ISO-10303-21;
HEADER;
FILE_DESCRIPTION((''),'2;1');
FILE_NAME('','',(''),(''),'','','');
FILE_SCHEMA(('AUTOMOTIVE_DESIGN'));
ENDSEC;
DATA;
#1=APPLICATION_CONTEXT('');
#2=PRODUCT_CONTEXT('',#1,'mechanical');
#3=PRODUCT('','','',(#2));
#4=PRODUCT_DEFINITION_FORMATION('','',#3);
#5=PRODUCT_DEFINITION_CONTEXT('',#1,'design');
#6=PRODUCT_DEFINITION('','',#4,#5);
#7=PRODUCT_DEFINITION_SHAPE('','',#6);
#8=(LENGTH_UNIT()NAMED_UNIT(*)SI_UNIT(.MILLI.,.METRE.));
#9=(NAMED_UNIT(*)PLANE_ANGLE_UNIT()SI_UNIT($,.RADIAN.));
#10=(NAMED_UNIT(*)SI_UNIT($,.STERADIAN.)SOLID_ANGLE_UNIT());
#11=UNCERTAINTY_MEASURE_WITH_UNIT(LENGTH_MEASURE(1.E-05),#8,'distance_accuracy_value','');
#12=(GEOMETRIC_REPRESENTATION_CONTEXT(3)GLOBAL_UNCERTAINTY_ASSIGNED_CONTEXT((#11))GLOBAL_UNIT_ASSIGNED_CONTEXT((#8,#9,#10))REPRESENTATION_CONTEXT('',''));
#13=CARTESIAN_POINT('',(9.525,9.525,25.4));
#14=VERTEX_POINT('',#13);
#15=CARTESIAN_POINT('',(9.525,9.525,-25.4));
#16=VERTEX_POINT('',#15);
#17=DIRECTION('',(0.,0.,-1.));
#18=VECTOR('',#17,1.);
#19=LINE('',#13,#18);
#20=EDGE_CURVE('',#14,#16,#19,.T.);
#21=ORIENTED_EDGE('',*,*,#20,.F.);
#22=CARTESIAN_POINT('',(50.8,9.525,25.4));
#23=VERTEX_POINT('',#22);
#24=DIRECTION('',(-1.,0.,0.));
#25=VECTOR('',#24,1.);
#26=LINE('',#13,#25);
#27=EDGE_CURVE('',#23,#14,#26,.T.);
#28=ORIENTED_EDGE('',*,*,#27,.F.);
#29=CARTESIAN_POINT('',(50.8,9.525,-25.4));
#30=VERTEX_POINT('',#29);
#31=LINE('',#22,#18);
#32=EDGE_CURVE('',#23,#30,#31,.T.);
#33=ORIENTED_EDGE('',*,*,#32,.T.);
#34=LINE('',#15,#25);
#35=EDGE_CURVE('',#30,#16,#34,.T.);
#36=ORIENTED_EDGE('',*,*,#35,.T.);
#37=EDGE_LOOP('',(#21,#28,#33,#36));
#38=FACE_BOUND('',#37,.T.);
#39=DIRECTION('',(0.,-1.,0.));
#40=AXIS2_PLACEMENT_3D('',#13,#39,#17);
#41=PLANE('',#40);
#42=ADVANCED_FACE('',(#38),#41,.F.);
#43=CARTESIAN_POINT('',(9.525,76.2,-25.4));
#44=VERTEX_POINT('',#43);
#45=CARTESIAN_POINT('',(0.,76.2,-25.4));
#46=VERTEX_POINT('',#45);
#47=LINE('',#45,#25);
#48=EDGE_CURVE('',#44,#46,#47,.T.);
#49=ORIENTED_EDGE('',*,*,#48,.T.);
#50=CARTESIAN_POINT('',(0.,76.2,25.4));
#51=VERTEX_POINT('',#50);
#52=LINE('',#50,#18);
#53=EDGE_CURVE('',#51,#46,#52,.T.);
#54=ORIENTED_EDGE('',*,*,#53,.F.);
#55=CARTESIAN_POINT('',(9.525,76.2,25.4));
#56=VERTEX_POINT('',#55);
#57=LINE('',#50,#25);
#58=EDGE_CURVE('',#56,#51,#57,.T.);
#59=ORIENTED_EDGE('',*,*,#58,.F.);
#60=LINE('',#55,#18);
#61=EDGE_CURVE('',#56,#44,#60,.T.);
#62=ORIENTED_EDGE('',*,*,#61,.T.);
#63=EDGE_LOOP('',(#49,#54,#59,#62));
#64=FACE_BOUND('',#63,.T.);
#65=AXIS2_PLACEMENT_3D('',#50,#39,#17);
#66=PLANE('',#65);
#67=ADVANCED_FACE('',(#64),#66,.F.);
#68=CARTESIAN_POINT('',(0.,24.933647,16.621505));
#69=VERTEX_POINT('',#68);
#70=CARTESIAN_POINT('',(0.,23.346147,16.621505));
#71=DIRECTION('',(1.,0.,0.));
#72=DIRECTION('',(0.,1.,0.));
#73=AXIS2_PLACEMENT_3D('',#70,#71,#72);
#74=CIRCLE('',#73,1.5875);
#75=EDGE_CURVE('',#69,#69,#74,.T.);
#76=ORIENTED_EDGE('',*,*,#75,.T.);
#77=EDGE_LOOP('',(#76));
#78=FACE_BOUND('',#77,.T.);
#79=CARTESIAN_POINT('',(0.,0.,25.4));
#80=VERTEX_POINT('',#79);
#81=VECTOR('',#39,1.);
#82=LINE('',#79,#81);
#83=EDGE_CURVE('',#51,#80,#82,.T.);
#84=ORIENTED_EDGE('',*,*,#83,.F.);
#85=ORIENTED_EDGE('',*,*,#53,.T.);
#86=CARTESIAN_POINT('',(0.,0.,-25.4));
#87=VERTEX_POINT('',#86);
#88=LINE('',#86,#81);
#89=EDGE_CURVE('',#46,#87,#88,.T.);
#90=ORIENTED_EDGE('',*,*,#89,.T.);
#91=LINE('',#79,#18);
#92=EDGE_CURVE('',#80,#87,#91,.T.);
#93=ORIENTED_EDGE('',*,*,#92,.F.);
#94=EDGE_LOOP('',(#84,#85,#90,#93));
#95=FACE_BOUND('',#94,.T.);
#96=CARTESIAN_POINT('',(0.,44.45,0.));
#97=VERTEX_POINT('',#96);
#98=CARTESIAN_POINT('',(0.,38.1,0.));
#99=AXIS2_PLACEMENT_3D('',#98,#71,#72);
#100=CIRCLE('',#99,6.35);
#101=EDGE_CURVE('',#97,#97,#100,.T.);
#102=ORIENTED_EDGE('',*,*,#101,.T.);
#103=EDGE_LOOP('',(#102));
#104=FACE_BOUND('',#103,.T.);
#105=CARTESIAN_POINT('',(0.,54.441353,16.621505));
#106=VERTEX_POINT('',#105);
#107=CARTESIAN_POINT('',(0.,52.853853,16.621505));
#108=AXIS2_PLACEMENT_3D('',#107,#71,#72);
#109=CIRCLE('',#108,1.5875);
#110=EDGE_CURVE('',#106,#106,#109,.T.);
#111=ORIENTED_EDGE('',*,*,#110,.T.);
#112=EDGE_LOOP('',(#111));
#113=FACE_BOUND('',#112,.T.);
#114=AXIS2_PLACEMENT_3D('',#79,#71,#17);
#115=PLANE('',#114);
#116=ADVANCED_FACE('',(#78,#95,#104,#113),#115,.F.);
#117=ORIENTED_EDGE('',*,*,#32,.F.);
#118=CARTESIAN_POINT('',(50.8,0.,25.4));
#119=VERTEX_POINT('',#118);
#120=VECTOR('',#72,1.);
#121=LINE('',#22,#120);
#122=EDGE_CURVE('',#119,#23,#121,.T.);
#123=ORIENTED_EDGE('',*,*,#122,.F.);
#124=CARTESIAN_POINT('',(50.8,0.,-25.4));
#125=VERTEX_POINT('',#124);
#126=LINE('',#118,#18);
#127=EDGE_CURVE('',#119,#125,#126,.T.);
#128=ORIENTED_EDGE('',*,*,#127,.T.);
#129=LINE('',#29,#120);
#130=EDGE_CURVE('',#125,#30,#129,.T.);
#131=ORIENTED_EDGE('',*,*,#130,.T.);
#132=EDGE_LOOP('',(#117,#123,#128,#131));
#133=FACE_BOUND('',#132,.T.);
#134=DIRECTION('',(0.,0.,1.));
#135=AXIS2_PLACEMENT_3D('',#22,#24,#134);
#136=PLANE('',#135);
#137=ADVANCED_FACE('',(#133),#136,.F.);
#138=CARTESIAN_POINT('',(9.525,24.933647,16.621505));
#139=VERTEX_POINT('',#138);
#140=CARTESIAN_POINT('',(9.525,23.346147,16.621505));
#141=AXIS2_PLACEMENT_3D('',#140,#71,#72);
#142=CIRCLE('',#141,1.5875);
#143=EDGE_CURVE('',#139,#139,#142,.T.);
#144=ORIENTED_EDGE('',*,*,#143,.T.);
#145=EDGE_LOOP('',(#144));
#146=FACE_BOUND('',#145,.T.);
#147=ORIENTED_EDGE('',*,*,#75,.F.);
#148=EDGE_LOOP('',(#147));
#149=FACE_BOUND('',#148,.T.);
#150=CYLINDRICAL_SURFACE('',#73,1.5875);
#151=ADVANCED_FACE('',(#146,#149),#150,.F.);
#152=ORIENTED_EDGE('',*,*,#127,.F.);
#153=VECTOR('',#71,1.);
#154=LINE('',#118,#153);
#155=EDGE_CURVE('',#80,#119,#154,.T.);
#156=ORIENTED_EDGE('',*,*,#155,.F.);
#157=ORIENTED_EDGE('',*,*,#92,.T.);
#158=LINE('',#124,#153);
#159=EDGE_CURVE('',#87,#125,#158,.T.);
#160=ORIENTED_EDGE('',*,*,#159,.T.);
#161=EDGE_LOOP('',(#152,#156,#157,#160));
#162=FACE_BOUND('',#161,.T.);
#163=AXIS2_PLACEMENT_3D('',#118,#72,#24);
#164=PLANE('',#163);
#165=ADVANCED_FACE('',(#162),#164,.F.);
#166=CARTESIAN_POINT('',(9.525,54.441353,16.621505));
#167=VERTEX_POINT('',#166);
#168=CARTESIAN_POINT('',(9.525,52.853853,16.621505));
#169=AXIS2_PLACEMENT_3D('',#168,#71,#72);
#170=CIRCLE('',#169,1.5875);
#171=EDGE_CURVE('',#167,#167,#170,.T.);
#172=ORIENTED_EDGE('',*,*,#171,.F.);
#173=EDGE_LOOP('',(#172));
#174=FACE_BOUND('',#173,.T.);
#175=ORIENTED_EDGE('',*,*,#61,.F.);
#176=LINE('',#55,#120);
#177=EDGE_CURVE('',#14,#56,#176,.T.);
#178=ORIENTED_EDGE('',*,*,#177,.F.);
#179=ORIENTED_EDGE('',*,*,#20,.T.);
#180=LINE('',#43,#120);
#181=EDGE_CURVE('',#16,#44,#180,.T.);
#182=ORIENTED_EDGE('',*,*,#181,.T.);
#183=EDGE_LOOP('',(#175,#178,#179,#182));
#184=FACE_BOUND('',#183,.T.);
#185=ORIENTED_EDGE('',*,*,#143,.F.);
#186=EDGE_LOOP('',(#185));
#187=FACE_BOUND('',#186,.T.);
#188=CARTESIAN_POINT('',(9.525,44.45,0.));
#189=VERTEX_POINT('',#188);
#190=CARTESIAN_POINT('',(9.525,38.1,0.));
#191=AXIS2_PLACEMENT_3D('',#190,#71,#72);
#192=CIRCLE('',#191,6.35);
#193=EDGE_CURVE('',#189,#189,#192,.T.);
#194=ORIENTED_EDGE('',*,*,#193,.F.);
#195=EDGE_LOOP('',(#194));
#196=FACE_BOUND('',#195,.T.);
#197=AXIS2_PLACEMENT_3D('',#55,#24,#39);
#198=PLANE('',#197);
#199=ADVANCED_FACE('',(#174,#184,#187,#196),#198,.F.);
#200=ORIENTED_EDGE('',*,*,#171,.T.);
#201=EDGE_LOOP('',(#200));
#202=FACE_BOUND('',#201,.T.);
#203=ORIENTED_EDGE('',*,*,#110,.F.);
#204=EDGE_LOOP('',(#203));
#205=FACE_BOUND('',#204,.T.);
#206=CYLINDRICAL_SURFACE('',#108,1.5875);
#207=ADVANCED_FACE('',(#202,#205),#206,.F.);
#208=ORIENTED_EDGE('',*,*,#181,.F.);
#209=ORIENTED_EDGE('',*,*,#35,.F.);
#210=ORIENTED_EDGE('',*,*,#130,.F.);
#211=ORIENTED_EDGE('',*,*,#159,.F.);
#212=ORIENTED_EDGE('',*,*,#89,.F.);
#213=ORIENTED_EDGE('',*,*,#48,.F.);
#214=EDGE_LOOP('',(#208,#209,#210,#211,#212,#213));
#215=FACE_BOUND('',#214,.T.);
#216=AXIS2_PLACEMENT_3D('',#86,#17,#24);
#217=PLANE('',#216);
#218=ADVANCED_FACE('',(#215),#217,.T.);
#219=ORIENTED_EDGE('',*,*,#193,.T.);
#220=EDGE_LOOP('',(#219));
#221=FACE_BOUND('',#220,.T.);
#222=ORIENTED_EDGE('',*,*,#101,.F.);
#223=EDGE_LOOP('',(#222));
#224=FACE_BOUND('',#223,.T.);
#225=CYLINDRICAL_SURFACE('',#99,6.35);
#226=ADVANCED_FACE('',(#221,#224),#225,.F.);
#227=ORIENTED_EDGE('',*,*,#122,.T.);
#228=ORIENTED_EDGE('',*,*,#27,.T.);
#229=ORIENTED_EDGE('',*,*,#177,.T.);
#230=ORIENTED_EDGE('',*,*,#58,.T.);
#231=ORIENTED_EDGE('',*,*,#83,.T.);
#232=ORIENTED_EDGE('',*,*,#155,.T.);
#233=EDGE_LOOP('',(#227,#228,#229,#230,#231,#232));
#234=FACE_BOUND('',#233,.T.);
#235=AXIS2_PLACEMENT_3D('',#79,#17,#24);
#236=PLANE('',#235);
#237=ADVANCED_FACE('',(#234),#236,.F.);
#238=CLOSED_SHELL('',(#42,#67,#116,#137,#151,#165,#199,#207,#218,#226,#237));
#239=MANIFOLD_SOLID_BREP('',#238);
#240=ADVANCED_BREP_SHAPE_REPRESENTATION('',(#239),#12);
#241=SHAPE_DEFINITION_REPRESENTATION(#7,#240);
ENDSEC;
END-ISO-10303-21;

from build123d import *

# Parameters (mm, degrees)
BOSS_EXTRUDE1_DEPTH = 25.4
SKETCH3_R           = 6.35
CUT_EXTRUDE1_DEPTH  = 91.306287849
SKETCH4_R           = 1.5875
CUT_EXTRUDE2_DEPTH  = 91.306287849


with BuildPart() as part:
    # Sketch2 → Boss-Extrude1 (new, symmetric)
    with BuildSketch(Plane.XY):
        Polygon((0, 0), (0, 76.2), (9.525, 76.2), (9.525, 9.525), (50.8, 9.525), (50.8, 0), align=None)
    extrude(amount=BOSS_EXTRUDE1_DEPTH, both=True)

    # Sketch3 → Cut-Extrude1 (cut, through all)
    with BuildSketch(Plane(origin=(9.525, 0, 0), x_dir=(0, 0, -1), z_dir=(1, 0, 0))):
        with Locations(Location((0, 38.1, 0), (0, 0, 90))):
            Circle(SKETCH3_R)
    extrude(amount=-CUT_EXTRUDE1_DEPTH, mode=Mode.SUBTRACT)

    # Sketch4 → Cut-Extrude2 (cut, through all)
    with BuildSketch(Plane(origin=(9.525, 0, 0), x_dir=(0, 0, -1), z_dir=(1, 0, 0))):
        with Locations(Location((-16.621505447, 52.853853113, 0), (0, 0, 90))):
            Circle(SKETCH4_R)
        with Locations(Location((-16.621505447, 23.346146887, 0), (0, 0, 90))):
            Circle(SKETCH4_R)
    extrude(amount=-CUT_EXTRUDE2_DEPTH, mode=Mode.SUBTRACT)


solid = part.part
